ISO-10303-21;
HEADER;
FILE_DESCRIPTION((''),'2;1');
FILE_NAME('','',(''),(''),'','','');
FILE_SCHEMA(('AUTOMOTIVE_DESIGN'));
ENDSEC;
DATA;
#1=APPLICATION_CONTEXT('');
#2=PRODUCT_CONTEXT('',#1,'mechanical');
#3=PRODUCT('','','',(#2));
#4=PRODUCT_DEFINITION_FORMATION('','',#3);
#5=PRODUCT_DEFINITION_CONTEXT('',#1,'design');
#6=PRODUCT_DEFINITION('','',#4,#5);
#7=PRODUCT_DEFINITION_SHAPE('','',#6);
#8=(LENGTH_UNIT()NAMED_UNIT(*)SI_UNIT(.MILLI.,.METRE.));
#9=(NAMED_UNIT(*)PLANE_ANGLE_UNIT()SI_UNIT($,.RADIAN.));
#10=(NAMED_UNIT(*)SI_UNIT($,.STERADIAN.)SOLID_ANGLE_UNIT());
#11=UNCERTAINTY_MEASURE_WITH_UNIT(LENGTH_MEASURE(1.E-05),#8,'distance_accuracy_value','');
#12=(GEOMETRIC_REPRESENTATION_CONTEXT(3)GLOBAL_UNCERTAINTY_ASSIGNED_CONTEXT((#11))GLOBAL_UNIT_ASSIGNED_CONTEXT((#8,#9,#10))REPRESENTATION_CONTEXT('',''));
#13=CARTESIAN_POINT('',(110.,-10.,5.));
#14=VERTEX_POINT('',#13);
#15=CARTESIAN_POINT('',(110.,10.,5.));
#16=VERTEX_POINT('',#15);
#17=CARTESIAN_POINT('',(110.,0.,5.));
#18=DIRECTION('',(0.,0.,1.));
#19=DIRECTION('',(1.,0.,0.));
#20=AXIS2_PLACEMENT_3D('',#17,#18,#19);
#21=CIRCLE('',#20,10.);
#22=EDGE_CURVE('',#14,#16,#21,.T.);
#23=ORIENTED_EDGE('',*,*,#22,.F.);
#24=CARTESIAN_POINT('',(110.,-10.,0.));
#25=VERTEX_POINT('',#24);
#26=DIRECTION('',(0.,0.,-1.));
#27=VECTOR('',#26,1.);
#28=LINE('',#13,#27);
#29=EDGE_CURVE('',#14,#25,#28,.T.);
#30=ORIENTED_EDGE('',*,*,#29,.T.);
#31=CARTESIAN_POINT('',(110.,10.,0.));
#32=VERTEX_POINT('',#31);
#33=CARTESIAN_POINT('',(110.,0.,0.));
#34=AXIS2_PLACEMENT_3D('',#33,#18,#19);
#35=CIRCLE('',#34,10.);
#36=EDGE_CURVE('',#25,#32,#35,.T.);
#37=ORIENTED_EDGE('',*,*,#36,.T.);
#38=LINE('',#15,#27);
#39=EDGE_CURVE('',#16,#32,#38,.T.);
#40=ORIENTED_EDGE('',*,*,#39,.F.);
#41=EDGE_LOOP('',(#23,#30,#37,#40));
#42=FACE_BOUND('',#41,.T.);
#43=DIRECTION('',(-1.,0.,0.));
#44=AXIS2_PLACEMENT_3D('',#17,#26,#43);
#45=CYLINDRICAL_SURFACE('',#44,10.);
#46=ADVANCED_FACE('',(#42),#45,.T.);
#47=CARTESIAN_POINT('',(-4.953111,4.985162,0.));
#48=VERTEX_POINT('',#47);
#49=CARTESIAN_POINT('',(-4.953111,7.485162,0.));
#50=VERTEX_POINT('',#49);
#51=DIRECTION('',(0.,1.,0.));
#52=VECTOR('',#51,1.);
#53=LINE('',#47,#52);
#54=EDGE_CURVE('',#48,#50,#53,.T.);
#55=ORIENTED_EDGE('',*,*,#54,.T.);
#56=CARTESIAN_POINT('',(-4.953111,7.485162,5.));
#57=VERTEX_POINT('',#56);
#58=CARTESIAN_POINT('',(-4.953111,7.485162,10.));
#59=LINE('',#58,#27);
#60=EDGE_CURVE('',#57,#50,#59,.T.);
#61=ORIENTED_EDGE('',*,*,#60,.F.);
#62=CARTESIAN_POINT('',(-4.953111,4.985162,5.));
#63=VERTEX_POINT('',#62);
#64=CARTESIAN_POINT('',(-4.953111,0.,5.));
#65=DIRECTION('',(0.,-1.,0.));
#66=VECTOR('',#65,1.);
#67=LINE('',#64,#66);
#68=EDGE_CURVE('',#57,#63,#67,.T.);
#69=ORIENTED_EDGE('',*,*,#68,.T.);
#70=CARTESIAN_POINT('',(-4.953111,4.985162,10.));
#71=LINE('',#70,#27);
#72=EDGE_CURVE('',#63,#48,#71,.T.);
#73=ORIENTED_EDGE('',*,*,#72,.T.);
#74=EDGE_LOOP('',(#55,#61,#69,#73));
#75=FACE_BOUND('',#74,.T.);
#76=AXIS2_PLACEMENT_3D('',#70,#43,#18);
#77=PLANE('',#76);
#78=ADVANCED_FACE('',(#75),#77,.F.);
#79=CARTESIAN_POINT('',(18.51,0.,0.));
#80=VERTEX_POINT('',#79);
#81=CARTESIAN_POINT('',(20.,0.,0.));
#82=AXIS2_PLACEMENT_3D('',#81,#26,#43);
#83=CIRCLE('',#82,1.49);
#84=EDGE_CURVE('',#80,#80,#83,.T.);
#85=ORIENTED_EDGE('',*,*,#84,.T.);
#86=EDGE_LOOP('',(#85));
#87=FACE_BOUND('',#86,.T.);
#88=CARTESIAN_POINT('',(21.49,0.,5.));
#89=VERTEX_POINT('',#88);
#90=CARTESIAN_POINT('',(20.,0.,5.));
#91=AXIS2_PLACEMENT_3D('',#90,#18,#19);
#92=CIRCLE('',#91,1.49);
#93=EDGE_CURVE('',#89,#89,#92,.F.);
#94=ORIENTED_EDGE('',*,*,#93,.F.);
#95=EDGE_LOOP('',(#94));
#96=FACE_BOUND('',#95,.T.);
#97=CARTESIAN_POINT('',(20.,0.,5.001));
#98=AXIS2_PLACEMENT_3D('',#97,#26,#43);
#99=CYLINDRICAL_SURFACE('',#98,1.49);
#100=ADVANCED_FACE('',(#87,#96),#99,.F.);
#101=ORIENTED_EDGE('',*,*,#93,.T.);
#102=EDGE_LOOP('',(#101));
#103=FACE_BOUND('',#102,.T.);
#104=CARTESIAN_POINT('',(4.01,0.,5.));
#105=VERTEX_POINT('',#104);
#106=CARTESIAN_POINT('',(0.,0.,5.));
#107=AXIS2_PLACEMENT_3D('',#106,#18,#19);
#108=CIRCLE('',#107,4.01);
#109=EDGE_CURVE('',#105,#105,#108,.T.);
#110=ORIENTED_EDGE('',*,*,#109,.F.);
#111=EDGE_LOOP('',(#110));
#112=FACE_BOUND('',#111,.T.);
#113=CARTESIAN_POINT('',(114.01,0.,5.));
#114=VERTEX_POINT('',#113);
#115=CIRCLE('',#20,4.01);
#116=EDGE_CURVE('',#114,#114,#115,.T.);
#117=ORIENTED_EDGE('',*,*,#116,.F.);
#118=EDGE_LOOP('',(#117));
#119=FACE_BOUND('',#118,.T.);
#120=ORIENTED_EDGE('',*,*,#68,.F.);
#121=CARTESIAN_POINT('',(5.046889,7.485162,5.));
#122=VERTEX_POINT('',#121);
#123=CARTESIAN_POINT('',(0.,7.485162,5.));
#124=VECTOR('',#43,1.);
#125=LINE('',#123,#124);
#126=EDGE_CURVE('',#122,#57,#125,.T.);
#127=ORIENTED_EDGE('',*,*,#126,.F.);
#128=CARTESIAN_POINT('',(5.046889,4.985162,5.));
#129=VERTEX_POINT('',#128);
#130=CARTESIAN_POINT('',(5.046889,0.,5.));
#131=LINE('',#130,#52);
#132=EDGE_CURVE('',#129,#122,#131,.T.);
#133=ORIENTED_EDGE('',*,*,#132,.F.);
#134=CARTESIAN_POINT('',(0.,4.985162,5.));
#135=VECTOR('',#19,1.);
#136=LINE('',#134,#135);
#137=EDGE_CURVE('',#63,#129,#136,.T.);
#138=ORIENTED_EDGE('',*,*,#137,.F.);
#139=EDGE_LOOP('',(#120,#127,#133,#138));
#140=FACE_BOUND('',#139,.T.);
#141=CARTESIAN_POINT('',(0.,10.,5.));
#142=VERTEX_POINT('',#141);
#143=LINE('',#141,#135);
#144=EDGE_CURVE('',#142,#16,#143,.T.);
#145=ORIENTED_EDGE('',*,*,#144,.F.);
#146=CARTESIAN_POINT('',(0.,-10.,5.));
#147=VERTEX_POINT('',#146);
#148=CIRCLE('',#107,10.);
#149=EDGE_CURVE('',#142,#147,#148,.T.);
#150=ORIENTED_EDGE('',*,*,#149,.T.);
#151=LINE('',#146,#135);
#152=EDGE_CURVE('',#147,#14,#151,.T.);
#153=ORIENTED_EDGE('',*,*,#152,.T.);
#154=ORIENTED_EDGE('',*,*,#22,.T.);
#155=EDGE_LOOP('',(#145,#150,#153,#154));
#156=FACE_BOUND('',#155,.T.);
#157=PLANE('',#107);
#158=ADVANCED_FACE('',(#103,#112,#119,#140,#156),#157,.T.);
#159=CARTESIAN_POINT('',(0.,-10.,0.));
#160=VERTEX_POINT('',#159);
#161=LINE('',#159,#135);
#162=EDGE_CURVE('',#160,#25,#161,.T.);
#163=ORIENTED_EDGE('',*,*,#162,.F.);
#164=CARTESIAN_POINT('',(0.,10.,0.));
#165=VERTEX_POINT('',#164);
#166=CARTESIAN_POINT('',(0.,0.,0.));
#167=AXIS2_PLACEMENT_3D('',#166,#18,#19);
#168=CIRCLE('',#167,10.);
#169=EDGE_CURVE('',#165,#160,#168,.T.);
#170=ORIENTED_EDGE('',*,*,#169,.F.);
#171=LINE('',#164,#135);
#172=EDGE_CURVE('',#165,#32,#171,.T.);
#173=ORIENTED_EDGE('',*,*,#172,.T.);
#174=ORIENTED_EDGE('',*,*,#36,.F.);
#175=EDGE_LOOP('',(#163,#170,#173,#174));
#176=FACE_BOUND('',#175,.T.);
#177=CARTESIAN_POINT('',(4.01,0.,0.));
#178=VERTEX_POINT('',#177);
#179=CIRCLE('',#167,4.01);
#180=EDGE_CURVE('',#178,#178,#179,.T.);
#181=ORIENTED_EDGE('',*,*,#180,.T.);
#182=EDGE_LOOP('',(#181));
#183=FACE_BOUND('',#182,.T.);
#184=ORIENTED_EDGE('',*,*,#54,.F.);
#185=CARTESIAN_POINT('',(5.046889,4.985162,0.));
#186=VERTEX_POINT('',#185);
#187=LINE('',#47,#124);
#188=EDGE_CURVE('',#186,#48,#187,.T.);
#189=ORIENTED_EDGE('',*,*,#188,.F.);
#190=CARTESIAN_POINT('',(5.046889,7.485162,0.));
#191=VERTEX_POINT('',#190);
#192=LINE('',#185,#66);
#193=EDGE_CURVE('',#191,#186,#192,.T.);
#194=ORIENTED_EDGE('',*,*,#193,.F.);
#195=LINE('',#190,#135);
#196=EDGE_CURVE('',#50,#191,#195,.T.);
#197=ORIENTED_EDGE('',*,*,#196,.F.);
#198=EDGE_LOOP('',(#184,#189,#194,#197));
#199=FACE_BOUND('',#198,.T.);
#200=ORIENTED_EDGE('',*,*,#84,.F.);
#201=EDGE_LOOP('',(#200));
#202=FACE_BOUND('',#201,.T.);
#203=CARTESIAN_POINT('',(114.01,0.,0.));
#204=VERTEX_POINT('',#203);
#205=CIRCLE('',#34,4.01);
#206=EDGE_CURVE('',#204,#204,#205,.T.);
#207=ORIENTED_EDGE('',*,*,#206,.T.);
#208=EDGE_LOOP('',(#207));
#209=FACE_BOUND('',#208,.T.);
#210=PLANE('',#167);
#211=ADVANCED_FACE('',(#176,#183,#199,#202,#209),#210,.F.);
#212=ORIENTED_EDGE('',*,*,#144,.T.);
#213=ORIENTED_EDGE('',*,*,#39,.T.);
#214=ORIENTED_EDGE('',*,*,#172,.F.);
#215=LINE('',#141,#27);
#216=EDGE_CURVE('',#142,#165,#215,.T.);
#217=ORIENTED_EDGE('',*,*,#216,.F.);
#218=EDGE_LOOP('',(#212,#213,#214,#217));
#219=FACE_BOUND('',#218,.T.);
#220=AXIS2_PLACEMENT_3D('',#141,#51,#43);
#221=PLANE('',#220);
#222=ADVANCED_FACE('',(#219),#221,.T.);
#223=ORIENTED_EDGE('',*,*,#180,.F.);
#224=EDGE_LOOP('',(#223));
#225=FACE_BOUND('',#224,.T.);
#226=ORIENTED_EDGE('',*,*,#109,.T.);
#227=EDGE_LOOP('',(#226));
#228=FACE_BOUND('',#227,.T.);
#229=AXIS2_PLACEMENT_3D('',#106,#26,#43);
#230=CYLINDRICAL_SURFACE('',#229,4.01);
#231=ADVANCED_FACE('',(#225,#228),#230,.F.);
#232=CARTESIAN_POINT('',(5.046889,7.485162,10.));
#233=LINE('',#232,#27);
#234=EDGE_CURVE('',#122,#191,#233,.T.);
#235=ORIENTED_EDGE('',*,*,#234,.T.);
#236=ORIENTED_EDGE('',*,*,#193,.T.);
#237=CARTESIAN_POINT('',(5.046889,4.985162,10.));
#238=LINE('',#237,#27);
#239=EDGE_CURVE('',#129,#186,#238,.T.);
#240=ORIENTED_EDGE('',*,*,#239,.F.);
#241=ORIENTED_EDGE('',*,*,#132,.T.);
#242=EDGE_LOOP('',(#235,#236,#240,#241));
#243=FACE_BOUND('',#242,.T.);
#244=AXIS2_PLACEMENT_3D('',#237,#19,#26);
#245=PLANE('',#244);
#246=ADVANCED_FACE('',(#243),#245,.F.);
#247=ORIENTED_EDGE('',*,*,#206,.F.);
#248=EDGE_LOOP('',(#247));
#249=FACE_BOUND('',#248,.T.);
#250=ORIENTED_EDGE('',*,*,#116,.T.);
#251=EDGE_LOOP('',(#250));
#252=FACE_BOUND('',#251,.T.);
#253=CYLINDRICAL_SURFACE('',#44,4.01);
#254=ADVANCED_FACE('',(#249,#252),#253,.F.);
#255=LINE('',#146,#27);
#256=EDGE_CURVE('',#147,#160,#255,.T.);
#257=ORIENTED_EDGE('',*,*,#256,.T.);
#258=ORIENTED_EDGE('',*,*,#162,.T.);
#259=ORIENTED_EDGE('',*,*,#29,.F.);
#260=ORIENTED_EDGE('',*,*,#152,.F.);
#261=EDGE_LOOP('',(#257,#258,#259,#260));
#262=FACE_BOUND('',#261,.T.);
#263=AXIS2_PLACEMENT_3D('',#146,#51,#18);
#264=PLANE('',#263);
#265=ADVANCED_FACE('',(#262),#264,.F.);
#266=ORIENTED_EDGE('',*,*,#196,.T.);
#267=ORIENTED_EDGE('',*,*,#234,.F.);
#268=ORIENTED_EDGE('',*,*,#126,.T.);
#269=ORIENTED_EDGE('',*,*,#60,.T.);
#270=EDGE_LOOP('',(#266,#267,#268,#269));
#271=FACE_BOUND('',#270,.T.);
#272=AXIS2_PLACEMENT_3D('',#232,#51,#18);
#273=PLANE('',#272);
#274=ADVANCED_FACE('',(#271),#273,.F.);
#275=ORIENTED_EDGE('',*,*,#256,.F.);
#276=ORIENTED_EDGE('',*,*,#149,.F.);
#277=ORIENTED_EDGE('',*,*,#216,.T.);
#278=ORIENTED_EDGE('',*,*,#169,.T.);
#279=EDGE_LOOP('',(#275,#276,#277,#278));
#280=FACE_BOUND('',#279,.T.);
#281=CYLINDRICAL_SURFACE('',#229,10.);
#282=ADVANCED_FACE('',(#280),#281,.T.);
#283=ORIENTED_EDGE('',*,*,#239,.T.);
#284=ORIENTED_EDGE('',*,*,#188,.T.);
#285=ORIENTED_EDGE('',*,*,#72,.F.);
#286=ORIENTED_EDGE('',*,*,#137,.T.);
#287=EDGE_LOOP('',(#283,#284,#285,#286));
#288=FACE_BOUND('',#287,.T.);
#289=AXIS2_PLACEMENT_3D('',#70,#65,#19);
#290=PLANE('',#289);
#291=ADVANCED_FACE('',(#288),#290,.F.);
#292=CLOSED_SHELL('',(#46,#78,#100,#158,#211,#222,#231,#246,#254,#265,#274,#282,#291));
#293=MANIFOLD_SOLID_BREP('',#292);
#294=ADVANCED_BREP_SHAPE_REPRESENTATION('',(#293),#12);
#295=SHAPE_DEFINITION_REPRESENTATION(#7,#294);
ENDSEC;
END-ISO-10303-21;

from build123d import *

# Parameters (mm, degrees)
SKETCH1_R           = 4.01
BOSS_EXTRUDE1_DEPTH = 5
CUT_EXTRUDE1_REACH  = 122.52
SKETCH2_R           = 1.49
SKETCH4_W           = 10
SKETCH4_H           = 2.5
CUT_EXTRUDE2_DEPTH  = 10


with BuildPart() as part:
    # Sketch1 → Boss-Extrude1 (new body)
    with BuildSketch(Plane.XY):
        with BuildLine():
            Line((110, 10), (0, 10))
            ThreePointArc((0, 10), (-10, 0), (0, -10))
            Line((0, -10), (110, -10))
            ThreePointArc((110, -10), (120, 0), (110, 10))
        make_face()
        Circle(SKETCH1_R, mode=Mode.SUBTRACT)
        with Locations((110, 0)):
            Circle(SKETCH1_R, mode=Mode.SUBTRACT)
    extrude(amount=BOSS_EXTRUDE1_DEPTH)

    # Sketch2 → Cut-Extrude1 (cut, up to next)
    with BuildSketch(Plane(origin=(0, 0, 0), x_dir=(-1, 0, 0), z_dir=(0, 0, -1)), mode=Mode.PRIVATE) as cut_extrude1_sk1:
        with Locations((-20, 0)):
            Circle(SKETCH2_R)
    cut_extrude1_tool1 = extrude(cut_extrude1_sk1.sketch, amount=-CUT_EXTRUDE1_REACH, mode=Mode.PRIVATE) & part.part
    add(cut_extrude1_tool1.solids().sort_by_distance((20, 0, 0))[0], mode=Mode.SUBTRACT)

    # Sketch4 → Cut-Extrude2 (cut)
    with BuildSketch(Plane(origin=(0, 0, 0), x_dir=(-1, 0, 0), z_dir=(0, 0, -1))):
        with Locations((-0.046889456, 6.235161972)):
            Rectangle(SKETCH4_W, SKETCH4_H)
    extrude(amount=-CUT_EXTRUDE2_DEPTH, mode=Mode.SUBTRACT)


solid = part.part
